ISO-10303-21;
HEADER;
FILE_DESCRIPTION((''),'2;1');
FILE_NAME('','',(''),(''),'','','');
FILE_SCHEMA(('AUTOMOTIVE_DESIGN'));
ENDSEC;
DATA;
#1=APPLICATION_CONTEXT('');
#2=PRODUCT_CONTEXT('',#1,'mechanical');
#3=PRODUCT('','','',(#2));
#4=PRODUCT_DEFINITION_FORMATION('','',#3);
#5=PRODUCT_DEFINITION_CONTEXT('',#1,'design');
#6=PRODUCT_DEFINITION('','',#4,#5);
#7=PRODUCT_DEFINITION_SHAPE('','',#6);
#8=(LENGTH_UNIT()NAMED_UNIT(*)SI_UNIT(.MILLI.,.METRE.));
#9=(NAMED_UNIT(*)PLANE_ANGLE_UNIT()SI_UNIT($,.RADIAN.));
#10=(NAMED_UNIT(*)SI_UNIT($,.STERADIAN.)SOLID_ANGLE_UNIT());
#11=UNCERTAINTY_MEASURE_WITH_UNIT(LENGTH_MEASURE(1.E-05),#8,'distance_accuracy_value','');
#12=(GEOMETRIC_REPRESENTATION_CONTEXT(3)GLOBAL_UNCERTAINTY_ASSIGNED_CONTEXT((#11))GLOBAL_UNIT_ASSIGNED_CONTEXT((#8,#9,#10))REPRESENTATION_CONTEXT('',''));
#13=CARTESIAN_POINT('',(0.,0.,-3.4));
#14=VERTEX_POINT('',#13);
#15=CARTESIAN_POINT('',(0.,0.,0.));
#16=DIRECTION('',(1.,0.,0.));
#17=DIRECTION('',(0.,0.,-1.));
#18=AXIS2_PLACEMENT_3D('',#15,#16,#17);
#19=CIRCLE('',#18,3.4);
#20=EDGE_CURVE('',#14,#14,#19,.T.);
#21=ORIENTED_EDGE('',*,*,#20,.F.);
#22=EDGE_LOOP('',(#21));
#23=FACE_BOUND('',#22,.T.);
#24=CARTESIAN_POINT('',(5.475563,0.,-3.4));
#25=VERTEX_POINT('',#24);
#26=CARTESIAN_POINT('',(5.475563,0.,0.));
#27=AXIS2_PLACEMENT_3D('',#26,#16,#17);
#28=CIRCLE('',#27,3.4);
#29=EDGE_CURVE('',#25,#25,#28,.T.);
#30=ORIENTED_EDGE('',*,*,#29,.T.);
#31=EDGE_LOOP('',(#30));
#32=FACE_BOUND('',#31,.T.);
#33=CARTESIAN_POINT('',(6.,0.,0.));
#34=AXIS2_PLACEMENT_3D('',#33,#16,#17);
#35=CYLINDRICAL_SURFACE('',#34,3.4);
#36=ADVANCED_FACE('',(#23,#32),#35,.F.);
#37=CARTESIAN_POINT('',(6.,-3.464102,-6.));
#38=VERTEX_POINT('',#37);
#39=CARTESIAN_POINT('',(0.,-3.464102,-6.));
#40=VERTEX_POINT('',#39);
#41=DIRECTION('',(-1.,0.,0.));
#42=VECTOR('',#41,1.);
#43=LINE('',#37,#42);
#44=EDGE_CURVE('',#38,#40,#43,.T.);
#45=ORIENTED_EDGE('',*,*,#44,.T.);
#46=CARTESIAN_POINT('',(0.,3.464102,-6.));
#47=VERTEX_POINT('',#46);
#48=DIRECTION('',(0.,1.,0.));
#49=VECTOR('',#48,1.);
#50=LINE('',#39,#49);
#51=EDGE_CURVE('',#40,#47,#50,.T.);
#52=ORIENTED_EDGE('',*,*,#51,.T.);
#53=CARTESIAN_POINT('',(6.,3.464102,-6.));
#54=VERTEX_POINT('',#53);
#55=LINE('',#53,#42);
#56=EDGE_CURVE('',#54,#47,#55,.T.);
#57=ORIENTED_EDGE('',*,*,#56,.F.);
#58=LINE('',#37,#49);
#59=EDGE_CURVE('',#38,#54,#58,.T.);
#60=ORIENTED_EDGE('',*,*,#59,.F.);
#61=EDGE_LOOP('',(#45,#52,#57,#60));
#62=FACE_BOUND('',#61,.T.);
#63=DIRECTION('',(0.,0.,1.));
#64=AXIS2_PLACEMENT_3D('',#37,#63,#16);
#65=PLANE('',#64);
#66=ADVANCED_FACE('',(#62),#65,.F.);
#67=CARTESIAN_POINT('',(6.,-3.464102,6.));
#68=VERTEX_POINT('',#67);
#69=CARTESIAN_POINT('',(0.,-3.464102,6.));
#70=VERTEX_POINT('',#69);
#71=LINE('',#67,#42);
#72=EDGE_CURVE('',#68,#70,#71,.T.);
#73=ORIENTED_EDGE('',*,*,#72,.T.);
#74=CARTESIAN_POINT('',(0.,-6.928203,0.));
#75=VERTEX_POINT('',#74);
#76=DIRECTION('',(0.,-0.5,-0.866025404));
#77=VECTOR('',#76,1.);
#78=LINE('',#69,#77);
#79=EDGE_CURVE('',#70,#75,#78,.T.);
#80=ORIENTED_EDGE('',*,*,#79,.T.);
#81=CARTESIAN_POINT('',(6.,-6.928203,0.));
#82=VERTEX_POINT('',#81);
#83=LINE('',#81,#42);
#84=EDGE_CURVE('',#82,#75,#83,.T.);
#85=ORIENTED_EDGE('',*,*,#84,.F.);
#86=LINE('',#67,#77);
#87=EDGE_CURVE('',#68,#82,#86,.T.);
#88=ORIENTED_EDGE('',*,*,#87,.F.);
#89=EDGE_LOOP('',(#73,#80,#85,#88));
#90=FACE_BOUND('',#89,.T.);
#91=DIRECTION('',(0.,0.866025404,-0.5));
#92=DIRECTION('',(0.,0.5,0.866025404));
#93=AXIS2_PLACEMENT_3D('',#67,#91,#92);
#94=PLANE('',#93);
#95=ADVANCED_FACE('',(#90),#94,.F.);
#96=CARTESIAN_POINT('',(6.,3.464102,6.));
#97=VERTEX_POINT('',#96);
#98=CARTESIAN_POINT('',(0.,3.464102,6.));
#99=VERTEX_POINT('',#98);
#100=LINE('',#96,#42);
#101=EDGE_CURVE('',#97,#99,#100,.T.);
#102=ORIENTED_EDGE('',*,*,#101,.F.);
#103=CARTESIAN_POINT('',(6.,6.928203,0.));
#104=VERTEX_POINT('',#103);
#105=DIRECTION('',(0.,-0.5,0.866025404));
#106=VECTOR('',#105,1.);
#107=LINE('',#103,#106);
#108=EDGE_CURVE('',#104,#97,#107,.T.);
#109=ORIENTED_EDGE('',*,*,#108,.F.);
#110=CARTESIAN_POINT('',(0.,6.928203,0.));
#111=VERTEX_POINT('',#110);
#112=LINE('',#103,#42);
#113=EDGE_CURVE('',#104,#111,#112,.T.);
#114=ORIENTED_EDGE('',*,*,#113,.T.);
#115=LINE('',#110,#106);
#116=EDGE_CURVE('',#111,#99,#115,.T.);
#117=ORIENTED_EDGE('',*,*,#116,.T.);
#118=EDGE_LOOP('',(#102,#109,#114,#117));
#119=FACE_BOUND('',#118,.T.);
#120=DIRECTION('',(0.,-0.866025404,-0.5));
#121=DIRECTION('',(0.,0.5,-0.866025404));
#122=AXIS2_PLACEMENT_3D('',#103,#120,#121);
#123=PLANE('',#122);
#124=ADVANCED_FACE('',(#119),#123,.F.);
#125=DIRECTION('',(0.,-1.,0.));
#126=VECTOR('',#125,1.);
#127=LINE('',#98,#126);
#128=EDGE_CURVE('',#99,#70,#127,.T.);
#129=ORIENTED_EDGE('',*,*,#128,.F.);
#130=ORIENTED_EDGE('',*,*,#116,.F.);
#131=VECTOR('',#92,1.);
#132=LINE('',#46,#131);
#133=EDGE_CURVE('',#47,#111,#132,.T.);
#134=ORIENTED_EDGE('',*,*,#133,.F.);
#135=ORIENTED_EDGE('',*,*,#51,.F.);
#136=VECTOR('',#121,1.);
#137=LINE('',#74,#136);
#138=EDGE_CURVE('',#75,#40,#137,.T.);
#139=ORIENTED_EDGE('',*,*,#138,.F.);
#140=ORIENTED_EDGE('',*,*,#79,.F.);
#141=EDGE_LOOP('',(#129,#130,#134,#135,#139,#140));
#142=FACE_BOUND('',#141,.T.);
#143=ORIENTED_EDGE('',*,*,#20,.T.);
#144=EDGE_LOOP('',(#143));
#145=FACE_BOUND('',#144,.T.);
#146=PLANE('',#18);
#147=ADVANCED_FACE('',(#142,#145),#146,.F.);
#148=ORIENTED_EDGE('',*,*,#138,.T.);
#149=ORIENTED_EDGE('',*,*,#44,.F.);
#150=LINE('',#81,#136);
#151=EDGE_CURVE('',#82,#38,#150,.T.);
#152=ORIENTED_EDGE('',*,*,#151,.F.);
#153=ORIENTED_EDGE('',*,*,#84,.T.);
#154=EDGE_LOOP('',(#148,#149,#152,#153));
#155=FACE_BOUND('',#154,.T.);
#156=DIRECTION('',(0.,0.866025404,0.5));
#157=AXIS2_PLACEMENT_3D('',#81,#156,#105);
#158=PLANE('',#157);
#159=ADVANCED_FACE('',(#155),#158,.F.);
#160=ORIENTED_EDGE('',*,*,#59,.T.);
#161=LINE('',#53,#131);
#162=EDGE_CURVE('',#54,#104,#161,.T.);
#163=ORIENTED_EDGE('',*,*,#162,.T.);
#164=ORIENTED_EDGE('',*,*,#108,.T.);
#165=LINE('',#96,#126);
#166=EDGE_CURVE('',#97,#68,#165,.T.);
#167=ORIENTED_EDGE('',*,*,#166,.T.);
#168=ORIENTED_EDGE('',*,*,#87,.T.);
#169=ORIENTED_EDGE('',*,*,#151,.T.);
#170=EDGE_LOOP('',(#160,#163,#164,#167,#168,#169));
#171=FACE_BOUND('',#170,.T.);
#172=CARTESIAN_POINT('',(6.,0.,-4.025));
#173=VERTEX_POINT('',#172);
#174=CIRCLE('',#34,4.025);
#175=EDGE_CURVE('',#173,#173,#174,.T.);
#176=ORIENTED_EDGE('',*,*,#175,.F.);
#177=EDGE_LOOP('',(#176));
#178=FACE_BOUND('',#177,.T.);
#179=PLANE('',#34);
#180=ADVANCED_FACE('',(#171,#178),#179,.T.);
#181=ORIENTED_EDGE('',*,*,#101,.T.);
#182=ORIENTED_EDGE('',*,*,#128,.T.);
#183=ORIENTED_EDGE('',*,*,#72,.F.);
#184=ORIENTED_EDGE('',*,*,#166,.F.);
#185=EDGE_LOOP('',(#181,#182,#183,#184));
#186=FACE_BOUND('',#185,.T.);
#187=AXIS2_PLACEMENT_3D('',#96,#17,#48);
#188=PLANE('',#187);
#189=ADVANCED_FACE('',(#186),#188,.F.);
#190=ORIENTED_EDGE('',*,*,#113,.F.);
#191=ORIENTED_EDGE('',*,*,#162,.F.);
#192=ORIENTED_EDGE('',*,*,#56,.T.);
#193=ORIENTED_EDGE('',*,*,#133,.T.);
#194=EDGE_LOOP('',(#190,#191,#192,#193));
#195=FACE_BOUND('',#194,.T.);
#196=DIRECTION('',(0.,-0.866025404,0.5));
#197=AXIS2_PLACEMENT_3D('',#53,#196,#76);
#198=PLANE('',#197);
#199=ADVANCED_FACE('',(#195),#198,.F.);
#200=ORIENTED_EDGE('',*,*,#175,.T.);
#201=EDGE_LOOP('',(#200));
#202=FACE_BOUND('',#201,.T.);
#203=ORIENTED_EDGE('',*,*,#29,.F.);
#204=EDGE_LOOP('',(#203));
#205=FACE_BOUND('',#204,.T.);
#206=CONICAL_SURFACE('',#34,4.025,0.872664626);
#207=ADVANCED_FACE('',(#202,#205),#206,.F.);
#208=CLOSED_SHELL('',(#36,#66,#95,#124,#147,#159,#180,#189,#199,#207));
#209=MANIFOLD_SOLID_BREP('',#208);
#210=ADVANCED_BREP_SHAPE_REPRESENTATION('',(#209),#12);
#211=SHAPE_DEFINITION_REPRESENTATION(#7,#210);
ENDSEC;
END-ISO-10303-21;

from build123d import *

# Parameters (mm, degrees)
EXTRUDE_1_DEPTH = 6


with BuildPart() as part:
    # 草图2 → 凸台-拉伸1 (new body)
    with BuildSketch(Plane(origin=(0, 0, 0), x_dir=(0, 0, -1), z_dir=(1, 0, 0))):
        Polygon((6, -3.464101615), (6, 3.464101615), (0, 6.92820323), (-6, 3.464101615), (-6, -3.464101615), (0, -6.92820323), align=None)
    extrude(amount=EXTRUDE_1_DEPTH)

    # 草图4 → M8 螺纹孔1 (revolve, cut)
    with BuildSketch(Plane(origin=(6, 0, 0), x_dir=(0, 0, -1), z_dir=(0, 1, 0))):
        Polygon((0, 0), (0, 6), (3.4, 6), (3.4, 0.524437269), (4.025, 0), align=None)
    revolve(axis=Axis((12.35, 0, 0), (-1, 0, 0)), mode=Mode.SUBTRACT)


solid = part.part
